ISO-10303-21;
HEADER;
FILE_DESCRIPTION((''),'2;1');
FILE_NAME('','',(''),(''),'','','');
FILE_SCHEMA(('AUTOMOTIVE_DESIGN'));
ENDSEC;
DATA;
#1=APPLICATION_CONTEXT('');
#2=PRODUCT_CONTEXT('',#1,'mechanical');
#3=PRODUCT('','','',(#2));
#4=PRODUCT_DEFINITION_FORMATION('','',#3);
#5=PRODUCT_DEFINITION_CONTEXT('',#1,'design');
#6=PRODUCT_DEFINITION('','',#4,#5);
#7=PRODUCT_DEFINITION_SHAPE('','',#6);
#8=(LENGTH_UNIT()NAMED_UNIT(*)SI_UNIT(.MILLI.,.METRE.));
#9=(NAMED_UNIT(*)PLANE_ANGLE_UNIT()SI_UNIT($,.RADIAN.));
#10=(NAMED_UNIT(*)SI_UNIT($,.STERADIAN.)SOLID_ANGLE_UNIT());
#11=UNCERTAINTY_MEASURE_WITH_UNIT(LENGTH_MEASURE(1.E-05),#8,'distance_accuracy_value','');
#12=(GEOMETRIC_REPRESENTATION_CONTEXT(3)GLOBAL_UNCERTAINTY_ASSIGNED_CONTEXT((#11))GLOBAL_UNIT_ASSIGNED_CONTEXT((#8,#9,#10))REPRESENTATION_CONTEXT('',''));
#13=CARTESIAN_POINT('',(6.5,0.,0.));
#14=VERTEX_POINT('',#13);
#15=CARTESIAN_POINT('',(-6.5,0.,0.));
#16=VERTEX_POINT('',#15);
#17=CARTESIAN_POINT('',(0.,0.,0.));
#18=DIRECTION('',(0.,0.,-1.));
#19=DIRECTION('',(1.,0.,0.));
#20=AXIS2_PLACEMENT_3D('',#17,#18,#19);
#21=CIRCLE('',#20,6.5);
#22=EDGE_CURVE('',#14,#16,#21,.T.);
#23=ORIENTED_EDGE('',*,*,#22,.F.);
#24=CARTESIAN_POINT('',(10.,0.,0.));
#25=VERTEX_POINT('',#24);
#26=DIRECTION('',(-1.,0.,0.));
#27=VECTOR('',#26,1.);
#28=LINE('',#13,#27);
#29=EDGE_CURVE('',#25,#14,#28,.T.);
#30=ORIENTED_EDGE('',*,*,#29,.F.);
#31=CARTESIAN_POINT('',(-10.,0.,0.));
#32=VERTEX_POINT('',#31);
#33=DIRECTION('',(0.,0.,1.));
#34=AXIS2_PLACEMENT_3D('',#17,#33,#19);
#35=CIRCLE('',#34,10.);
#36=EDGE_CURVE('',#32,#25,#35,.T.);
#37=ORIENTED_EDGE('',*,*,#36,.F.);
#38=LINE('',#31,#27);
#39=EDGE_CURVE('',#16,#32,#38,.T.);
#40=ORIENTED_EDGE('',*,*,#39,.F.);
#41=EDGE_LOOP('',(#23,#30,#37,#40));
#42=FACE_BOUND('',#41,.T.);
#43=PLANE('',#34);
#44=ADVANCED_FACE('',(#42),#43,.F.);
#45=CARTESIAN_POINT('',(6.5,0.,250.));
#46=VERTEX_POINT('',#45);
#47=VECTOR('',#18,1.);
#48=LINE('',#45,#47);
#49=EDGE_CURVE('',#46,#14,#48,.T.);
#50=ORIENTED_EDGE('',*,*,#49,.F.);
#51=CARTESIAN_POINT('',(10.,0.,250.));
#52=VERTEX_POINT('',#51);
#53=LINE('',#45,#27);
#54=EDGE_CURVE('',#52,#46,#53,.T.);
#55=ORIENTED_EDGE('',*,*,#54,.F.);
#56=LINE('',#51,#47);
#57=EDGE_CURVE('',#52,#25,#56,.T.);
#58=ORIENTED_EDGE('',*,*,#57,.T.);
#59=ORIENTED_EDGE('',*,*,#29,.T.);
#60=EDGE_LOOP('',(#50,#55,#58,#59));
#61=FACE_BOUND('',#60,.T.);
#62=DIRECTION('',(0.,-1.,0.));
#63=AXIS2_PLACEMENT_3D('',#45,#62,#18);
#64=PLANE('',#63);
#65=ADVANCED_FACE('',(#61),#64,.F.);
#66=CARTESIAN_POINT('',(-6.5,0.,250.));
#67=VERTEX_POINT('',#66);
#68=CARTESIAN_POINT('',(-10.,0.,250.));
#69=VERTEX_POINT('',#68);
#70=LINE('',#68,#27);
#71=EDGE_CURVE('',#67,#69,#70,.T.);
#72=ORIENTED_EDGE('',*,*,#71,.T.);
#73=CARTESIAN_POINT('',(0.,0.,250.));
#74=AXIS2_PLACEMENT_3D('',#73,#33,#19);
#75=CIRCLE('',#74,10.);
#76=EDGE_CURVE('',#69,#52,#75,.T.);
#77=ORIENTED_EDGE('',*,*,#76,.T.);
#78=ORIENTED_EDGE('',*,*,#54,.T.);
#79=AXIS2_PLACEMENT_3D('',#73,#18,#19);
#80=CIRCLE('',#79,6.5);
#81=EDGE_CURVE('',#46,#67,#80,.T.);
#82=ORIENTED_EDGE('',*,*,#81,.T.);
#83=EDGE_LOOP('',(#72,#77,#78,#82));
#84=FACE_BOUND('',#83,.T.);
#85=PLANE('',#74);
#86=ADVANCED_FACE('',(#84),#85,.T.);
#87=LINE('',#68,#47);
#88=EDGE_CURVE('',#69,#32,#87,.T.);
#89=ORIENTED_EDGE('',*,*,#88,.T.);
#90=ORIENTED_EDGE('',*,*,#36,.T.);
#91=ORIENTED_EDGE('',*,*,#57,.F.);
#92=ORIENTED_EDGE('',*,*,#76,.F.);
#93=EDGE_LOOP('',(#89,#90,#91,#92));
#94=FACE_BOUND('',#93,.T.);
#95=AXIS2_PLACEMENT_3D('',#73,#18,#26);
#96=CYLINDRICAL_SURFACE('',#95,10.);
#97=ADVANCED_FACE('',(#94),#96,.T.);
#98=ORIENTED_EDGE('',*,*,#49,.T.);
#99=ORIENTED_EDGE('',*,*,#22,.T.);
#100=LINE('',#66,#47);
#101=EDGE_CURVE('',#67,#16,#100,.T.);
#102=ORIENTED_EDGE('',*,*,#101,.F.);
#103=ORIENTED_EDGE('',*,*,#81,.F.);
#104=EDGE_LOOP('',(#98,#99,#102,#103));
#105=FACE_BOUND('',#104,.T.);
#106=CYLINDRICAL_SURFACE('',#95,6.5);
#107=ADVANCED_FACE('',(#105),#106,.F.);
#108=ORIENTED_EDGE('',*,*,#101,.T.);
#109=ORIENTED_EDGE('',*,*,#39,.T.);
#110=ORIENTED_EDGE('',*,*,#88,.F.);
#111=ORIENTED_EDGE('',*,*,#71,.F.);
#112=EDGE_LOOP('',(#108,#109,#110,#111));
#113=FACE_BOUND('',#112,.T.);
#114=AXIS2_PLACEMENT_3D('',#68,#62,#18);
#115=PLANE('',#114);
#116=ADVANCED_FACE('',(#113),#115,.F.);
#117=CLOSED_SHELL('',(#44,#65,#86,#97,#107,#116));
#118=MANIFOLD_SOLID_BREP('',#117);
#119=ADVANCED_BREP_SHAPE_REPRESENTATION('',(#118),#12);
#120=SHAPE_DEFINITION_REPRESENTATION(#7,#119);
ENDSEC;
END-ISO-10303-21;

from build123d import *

# Parameters (mm, degrees)
EXTRUDE_1_DEPTH = 250


with BuildPart() as part:
    # 草图3 → 凸台-拉伸1 (new body)
    with BuildSketch(Plane.XY):
        with BuildLine():
            Line((-10, 0), (-6.5, 0))
            ThreePointArc((-6.5, 0), (0, -6.5), (6.5, 0))
            Line((6.5, 0), (10, 0))
            ThreePointArc((10, 0), (0, -10), (-10, 0))
        make_face()
    extrude(amount=EXTRUDE_1_DEPTH)


solid = part.part
